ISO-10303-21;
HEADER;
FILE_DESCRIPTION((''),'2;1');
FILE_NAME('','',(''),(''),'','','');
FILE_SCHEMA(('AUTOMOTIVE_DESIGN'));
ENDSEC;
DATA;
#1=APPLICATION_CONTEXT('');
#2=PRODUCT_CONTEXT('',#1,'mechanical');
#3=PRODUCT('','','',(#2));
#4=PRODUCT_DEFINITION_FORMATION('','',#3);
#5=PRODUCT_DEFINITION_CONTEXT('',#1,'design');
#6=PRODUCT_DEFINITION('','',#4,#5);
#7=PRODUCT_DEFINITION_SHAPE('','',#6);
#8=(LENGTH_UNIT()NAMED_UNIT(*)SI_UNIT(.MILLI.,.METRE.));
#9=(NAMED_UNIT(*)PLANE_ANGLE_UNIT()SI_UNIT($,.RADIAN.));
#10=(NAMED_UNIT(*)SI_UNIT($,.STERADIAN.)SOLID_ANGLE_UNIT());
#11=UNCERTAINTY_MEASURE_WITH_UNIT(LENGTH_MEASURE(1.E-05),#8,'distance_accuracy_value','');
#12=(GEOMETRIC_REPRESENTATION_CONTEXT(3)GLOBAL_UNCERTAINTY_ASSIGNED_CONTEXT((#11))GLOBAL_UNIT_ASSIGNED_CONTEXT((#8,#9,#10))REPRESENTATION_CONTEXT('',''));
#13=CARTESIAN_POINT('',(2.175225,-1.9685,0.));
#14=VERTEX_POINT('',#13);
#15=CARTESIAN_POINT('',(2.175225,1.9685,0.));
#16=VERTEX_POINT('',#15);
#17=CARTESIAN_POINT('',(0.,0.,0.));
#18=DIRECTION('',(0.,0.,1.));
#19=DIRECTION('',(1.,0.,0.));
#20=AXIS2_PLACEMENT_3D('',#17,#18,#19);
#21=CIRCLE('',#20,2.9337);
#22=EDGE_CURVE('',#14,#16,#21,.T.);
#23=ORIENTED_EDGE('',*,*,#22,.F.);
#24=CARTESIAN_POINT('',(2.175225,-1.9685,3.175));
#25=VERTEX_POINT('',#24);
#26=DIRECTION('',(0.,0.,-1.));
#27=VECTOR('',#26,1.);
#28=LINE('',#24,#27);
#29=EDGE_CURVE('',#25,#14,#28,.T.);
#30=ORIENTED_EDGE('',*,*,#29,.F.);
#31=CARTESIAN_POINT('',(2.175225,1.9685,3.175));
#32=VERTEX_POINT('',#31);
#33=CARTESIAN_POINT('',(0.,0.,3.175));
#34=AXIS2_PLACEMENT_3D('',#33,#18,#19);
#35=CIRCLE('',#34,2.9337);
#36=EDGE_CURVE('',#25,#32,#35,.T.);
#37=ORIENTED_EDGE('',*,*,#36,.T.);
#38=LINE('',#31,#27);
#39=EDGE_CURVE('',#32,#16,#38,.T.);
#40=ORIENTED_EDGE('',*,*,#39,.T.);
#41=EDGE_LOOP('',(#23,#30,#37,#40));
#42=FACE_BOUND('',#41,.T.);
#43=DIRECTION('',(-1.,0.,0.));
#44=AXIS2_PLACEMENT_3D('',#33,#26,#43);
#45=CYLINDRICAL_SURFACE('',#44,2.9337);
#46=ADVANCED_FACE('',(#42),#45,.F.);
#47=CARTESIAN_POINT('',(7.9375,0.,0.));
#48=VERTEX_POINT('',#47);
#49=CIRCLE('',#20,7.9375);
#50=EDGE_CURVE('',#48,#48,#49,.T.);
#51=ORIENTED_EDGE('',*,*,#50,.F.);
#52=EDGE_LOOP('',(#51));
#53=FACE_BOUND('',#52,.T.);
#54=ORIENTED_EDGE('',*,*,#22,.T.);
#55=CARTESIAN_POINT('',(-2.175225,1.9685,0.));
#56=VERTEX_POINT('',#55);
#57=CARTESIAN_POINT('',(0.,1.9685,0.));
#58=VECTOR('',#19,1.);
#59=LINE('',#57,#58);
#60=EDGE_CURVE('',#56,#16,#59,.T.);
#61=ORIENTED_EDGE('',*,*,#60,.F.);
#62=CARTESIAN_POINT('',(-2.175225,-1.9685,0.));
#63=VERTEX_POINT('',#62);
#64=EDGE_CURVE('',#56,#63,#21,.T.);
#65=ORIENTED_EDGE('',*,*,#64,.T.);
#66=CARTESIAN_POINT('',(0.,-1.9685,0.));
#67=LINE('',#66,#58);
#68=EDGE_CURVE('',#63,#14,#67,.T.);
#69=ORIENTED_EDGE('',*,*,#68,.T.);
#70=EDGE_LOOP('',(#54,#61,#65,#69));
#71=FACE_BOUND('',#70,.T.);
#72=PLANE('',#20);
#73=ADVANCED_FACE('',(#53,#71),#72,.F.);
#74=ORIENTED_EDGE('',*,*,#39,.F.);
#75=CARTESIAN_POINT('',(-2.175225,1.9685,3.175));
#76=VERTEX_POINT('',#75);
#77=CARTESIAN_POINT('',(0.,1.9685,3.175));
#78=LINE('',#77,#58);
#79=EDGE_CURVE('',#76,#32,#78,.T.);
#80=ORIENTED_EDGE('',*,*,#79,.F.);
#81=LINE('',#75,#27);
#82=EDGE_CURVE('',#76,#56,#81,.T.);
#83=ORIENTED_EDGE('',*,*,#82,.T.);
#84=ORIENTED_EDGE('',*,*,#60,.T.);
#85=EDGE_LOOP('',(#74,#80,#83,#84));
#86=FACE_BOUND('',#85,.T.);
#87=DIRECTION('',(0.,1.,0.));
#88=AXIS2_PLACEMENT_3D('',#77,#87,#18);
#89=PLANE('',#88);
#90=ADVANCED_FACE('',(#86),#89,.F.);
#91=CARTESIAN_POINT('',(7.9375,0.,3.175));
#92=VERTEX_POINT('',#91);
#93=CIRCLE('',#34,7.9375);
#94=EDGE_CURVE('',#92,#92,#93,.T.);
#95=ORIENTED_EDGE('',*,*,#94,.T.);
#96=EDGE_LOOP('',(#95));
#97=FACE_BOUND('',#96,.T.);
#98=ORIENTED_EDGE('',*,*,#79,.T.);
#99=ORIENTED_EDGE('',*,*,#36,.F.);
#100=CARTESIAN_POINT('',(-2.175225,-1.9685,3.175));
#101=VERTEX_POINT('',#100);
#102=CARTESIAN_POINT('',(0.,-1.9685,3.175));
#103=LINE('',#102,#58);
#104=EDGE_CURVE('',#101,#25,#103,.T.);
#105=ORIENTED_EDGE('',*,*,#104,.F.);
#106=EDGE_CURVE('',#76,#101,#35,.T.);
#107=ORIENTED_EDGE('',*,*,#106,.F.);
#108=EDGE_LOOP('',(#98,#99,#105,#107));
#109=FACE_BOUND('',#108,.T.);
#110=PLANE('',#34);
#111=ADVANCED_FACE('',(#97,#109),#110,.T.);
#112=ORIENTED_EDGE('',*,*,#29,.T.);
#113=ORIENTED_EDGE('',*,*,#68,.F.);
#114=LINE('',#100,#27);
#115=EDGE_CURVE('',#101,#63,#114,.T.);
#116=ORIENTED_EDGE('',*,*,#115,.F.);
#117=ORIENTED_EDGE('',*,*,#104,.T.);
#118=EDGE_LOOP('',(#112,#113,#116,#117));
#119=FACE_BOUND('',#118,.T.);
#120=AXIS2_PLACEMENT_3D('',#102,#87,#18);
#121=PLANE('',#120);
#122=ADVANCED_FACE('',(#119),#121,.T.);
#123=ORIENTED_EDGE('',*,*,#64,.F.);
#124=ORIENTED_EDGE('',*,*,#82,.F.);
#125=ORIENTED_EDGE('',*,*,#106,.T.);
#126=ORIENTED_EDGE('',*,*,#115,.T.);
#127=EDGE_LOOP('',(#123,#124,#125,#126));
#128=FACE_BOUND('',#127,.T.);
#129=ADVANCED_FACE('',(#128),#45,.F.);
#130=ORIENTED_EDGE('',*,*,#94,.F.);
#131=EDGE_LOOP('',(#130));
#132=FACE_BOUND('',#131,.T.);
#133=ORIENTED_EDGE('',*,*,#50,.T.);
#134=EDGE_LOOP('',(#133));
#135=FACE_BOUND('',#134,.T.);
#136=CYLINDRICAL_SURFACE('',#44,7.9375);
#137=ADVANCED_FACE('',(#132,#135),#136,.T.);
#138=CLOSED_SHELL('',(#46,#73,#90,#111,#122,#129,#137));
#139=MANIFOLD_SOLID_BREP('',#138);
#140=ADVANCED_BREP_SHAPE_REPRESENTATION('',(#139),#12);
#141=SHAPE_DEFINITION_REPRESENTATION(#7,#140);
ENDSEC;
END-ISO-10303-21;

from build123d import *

# Parameters (mm, degrees)
SKETCH1_R           = 7.9375
BOSS_EXTRUDE1_DEPTH = 3.175


with BuildPart() as part:
    # Sketch1 → Boss-Extrude1 (new body)
    with BuildSketch(Plane.XY):
        Circle(SKETCH1_R)
        with BuildLine():
            ThreePointArc((-2.175224917, 1.9685), (-2.9337, 0), (-2.175224917, -1.9685))
            Line((-2.175224917, -1.9685), (2.175224917, -1.9685))
            ThreePointArc((2.175224917, -1.9685), (2.9337, 0), (2.175224917, 1.9685))
            Line((2.175224917, 1.9685), (-2.175224917, 1.9685))
        make_face(mode=Mode.SUBTRACT)
    extrude(amount=BOSS_EXTRUDE1_DEPTH)


solid = part.part
